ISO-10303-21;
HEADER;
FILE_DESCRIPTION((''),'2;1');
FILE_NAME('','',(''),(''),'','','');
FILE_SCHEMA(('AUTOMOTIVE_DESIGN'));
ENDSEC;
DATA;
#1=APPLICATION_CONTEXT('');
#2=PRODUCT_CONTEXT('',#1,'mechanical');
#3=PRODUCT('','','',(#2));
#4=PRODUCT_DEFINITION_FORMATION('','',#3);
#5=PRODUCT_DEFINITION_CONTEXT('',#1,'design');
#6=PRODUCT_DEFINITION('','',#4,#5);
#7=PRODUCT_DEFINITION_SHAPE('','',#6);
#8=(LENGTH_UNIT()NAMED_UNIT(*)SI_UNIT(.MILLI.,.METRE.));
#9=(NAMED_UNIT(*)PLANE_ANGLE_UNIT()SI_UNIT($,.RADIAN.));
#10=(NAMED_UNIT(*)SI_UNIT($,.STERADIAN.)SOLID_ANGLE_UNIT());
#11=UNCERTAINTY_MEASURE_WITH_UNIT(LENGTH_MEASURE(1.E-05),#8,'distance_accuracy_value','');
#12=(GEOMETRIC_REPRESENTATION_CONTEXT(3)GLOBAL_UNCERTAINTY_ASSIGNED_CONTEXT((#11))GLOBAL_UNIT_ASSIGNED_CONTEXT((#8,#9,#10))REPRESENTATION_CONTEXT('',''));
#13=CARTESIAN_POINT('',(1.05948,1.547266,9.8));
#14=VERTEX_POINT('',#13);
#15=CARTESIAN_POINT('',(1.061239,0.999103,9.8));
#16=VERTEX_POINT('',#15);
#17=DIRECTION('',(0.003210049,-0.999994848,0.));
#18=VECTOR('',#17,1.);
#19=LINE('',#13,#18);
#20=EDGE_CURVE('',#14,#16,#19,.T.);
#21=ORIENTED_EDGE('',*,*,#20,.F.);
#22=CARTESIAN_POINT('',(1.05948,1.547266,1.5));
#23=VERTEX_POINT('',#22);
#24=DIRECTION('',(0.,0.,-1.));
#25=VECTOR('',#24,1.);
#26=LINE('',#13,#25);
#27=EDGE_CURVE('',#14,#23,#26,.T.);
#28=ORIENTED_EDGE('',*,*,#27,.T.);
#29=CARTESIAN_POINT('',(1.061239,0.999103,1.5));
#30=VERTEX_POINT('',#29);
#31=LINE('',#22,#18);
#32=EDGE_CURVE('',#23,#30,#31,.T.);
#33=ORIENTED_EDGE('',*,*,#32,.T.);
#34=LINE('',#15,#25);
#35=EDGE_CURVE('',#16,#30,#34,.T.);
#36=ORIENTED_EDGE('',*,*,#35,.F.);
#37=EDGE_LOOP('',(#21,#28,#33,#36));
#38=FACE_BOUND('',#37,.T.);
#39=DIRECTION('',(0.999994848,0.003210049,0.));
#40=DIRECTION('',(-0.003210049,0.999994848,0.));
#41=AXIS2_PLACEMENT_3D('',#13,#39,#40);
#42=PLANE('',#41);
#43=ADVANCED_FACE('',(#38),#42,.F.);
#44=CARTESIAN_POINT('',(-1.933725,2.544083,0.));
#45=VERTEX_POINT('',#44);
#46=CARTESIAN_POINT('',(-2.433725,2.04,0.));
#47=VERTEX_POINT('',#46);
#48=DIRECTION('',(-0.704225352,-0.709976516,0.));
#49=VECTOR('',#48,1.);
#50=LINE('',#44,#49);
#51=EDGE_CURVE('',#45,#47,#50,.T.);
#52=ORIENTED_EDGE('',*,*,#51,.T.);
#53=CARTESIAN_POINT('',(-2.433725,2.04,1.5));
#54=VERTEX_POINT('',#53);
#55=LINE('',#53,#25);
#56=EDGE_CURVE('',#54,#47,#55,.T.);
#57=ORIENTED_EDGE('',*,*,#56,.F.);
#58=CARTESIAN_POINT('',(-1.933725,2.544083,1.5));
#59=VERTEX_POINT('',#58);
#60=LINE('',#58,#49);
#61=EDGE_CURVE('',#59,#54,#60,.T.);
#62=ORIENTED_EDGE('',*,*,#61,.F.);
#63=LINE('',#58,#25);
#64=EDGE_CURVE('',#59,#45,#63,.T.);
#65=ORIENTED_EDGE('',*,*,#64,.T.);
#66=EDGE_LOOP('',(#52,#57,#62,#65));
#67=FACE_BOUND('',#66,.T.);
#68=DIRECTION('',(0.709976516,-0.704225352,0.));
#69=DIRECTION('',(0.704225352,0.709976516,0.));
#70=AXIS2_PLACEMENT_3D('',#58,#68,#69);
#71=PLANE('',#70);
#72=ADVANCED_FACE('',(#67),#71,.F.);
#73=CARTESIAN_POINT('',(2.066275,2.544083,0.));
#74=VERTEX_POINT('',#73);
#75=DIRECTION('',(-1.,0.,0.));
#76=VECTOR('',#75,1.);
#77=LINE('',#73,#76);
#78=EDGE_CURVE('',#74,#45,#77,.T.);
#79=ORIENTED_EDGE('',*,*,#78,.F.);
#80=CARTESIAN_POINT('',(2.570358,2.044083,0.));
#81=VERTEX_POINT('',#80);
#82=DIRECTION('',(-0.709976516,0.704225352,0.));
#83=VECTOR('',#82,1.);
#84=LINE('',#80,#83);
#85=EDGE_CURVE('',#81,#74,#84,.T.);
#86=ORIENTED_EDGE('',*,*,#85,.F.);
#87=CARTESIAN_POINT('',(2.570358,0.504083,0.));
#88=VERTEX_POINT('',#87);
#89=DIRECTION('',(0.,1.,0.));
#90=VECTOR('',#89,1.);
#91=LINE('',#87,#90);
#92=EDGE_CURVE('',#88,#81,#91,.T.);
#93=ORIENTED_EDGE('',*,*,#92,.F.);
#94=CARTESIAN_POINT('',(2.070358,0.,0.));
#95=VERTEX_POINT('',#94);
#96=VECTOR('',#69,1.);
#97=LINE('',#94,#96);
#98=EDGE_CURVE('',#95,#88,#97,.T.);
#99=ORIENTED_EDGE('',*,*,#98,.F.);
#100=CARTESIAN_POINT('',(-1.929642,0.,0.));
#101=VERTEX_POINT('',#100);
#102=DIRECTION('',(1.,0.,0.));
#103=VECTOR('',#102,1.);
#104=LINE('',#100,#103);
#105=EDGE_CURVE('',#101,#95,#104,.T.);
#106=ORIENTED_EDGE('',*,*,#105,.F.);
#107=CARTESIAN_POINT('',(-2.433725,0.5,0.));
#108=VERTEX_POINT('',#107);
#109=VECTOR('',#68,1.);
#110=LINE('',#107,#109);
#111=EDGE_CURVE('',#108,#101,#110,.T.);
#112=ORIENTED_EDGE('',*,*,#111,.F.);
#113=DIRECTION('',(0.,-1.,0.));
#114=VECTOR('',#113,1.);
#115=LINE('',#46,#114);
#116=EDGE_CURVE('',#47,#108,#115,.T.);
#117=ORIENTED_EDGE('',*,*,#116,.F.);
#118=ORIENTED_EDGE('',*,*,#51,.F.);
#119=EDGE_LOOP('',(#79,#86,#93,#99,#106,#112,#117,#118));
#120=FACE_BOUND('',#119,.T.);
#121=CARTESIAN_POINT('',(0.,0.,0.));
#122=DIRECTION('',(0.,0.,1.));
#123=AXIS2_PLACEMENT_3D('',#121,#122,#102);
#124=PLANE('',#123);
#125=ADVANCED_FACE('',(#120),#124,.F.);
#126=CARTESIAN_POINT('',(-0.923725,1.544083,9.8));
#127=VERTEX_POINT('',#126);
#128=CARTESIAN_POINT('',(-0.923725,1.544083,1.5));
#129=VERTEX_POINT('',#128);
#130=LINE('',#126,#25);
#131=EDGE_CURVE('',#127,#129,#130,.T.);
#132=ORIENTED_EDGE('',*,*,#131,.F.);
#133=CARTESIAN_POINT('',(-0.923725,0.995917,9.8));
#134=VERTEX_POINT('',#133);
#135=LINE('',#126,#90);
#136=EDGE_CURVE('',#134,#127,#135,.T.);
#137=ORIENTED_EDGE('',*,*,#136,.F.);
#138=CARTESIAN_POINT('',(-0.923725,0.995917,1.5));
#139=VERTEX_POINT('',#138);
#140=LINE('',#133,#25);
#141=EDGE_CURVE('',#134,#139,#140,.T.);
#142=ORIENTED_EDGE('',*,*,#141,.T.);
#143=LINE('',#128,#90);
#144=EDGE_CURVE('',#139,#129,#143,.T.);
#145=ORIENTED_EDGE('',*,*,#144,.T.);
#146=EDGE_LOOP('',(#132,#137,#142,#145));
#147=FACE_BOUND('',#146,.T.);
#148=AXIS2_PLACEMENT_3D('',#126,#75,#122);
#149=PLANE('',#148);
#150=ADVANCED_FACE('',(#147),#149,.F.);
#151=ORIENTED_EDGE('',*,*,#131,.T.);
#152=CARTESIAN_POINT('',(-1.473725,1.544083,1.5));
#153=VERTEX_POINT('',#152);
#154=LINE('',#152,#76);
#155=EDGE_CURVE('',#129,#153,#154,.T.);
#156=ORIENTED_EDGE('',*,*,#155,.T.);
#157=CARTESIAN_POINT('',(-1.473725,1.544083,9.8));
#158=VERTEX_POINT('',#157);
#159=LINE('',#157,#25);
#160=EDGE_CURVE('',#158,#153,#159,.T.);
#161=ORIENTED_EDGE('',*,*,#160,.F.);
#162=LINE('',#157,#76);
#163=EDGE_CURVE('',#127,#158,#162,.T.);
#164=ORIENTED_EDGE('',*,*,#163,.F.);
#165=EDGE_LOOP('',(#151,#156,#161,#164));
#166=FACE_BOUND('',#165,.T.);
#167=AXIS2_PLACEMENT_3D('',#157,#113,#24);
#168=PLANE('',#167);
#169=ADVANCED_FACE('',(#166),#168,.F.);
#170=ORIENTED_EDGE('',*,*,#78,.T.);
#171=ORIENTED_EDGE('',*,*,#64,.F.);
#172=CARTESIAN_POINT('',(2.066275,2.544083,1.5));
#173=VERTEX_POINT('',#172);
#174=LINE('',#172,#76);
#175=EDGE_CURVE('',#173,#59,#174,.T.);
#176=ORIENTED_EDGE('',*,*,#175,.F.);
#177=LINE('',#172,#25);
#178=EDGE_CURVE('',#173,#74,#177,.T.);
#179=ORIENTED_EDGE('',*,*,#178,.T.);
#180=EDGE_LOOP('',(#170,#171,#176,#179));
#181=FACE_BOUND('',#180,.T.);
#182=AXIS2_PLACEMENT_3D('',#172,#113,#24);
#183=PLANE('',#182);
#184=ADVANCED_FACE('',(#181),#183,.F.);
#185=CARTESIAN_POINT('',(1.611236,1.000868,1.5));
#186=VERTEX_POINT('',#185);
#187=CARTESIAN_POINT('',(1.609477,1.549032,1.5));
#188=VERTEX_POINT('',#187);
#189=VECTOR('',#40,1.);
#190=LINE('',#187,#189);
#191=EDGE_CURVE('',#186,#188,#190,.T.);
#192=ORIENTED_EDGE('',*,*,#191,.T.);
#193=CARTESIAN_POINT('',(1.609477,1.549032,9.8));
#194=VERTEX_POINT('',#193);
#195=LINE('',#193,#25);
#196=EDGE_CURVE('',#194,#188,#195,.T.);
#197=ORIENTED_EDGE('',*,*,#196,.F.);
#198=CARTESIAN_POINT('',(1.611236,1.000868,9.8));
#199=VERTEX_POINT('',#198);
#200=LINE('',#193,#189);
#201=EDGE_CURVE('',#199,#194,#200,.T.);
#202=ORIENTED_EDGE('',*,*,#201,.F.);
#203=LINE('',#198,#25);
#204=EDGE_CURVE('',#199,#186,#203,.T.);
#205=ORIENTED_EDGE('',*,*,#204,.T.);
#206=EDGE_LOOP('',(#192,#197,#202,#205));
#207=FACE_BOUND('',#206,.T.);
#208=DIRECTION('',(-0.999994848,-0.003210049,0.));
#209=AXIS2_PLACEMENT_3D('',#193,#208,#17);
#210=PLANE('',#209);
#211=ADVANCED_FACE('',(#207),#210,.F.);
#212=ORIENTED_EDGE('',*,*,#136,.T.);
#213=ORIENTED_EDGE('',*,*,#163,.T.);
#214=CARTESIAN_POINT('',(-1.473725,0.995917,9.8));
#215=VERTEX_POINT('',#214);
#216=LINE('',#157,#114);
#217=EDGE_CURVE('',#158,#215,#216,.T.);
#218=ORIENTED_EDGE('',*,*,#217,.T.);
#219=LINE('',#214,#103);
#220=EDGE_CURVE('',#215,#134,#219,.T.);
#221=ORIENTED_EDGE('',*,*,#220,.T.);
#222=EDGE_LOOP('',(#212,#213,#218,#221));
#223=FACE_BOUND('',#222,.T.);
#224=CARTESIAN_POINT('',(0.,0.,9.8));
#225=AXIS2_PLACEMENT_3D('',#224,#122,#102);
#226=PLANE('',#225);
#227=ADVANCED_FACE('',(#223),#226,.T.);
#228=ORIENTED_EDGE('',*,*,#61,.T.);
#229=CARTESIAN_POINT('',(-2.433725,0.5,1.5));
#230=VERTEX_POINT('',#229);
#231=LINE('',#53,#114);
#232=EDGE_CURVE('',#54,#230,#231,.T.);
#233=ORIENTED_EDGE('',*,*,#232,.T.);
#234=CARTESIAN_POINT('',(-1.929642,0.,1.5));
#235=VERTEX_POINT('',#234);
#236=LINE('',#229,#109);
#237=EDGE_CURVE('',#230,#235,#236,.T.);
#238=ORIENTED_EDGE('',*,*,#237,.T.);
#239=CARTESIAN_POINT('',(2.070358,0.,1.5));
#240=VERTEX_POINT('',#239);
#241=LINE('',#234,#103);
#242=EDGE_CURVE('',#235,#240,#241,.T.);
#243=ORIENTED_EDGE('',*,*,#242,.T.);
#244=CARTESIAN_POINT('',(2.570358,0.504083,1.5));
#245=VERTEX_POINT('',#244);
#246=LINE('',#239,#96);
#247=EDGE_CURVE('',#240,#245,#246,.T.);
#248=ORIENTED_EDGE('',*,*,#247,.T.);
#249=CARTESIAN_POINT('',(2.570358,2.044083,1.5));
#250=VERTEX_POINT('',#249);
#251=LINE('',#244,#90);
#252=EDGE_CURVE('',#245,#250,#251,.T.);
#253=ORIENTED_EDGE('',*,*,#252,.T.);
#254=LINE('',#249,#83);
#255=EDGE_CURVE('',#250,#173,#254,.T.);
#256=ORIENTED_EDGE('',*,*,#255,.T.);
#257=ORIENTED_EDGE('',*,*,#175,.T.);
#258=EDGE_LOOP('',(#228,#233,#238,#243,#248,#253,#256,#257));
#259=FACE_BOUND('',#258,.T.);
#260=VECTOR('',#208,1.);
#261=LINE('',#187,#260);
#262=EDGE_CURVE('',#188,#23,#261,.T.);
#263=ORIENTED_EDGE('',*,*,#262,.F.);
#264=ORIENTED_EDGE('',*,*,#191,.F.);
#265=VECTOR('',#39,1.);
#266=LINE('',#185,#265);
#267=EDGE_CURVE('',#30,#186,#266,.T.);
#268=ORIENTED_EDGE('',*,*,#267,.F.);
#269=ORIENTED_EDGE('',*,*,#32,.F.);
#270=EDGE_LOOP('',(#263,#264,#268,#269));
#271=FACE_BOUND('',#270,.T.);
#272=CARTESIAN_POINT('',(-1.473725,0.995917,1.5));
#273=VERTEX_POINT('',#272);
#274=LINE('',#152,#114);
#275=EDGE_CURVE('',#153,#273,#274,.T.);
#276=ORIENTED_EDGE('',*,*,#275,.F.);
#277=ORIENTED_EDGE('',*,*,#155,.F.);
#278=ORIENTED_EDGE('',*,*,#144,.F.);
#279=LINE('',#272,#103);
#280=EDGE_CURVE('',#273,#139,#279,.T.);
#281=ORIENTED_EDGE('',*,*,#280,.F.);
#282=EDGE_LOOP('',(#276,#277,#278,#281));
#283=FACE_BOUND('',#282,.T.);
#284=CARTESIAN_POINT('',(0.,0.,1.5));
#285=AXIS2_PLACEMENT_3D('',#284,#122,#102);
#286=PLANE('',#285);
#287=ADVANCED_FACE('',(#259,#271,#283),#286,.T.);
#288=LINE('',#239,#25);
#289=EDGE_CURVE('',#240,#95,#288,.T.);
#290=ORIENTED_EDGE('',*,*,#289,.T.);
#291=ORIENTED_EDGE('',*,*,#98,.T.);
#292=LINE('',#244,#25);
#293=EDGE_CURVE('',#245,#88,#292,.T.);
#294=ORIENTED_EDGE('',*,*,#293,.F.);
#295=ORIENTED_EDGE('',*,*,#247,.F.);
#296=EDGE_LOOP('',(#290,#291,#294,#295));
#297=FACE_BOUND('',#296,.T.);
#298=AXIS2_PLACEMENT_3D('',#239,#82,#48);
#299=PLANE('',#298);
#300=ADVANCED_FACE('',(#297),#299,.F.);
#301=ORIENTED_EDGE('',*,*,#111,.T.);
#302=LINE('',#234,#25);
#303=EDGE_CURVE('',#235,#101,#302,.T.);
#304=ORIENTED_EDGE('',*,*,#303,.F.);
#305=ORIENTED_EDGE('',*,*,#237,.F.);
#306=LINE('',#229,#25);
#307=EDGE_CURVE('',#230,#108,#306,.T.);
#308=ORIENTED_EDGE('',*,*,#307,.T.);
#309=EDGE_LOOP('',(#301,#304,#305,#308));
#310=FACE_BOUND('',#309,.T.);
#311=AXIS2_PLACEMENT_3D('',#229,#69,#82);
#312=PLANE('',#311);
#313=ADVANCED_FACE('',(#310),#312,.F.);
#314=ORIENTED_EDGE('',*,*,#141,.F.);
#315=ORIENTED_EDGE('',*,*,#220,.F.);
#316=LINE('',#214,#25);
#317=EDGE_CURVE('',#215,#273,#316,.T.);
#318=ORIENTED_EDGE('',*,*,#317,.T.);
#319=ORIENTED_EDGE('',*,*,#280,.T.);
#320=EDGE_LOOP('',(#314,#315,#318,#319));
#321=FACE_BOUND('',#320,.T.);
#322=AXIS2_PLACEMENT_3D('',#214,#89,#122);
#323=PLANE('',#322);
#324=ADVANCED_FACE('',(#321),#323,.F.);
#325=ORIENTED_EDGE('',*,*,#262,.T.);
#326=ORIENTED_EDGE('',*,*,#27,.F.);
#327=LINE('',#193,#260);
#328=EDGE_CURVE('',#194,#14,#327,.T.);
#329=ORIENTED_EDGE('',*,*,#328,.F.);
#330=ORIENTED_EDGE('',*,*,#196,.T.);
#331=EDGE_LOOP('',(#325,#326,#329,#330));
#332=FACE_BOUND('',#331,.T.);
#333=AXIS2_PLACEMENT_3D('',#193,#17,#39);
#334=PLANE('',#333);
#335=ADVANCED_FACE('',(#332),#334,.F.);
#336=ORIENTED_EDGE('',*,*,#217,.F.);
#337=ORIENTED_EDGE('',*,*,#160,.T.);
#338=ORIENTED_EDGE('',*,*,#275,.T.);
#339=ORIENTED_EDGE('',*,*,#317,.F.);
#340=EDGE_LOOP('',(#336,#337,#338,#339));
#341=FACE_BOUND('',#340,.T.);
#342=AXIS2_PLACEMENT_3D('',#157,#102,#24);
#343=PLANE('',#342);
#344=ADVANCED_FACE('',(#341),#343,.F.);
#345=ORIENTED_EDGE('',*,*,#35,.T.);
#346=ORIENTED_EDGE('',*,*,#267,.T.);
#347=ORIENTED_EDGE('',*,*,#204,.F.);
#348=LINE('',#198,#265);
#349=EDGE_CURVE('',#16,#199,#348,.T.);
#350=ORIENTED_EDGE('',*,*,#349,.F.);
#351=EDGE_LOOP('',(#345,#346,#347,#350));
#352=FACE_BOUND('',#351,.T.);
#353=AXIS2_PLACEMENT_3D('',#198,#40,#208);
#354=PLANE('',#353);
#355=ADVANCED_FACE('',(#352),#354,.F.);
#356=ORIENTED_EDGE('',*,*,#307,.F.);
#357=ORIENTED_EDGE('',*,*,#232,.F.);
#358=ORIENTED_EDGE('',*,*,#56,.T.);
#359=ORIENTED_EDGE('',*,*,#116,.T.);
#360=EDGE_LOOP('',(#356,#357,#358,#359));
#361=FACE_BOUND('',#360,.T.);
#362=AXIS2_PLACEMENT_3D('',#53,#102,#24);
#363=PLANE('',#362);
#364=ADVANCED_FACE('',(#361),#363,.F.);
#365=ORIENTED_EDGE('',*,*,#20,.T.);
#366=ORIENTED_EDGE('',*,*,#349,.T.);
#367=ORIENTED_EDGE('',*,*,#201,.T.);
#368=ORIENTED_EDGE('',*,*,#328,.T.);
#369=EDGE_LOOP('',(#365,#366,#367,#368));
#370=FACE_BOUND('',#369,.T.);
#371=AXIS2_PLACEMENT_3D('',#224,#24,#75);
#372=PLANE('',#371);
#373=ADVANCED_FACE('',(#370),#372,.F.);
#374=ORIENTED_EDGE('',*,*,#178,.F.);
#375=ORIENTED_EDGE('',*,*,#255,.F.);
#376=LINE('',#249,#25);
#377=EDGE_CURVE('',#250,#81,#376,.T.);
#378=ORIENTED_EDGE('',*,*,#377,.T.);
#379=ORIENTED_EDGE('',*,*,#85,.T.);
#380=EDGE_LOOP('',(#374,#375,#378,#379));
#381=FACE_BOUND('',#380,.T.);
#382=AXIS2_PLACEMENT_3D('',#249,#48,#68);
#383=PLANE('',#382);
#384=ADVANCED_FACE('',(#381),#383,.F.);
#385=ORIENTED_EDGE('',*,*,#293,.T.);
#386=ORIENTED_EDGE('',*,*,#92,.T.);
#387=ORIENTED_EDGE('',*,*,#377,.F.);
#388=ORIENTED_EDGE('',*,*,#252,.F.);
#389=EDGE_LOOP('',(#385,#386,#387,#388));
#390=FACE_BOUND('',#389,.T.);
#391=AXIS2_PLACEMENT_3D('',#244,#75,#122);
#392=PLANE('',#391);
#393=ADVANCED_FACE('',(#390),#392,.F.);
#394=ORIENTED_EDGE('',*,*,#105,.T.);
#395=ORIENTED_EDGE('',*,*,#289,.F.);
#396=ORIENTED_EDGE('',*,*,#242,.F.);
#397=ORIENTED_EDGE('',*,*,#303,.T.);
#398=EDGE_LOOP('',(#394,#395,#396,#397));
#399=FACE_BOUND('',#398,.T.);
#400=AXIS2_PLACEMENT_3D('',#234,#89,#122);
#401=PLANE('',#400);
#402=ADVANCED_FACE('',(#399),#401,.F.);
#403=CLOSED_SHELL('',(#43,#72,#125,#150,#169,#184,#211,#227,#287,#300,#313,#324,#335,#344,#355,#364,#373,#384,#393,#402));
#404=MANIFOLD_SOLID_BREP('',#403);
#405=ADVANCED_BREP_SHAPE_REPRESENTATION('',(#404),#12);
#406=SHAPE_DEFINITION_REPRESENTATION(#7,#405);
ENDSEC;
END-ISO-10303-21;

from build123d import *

# Parameters (mm, degrees)
BOSS_EXTRUDE1_DEPTH = 1.5
SKETCH2_W           = 0.55
SKETCH2_H           = 0.548166652
BOSS_EXTRUDE2_DEPTH = 8.3


with BuildPart() as part:
    # Sketch1 → Boss-Extrude1 (new body)
    with BuildSketch(Plane.XY):
        Polygon((-1.929641956, 0), (2.070358044, 0), (2.570358044, 0.504083326), (2.570358044, 2.044083326), (2.066274717, 2.544083326), (-1.933725283, 2.544083326), (-2.433725283, 2.04), (-2.433725283, 0.5), align=None)
    extrude(amount=BOSS_EXTRUDE1_DEPTH)

    # Sketch2 → Boss-Extrude2 (add)
    with BuildSketch(Plane.XY.offset(1.5)):
        with Locations((-1.198725283, 1.27)):
            Rectangle(SKETCH2_W, SKETCH2_H)
        Polygon((1.611236473, 1.000868125), (1.061239307, 0.999102598), (1.059479665, 1.547266427), (1.609476832, 1.549031954), align=None)
    extrude(amount=BOSS_EXTRUDE2_DEPTH)


solid = part.part
